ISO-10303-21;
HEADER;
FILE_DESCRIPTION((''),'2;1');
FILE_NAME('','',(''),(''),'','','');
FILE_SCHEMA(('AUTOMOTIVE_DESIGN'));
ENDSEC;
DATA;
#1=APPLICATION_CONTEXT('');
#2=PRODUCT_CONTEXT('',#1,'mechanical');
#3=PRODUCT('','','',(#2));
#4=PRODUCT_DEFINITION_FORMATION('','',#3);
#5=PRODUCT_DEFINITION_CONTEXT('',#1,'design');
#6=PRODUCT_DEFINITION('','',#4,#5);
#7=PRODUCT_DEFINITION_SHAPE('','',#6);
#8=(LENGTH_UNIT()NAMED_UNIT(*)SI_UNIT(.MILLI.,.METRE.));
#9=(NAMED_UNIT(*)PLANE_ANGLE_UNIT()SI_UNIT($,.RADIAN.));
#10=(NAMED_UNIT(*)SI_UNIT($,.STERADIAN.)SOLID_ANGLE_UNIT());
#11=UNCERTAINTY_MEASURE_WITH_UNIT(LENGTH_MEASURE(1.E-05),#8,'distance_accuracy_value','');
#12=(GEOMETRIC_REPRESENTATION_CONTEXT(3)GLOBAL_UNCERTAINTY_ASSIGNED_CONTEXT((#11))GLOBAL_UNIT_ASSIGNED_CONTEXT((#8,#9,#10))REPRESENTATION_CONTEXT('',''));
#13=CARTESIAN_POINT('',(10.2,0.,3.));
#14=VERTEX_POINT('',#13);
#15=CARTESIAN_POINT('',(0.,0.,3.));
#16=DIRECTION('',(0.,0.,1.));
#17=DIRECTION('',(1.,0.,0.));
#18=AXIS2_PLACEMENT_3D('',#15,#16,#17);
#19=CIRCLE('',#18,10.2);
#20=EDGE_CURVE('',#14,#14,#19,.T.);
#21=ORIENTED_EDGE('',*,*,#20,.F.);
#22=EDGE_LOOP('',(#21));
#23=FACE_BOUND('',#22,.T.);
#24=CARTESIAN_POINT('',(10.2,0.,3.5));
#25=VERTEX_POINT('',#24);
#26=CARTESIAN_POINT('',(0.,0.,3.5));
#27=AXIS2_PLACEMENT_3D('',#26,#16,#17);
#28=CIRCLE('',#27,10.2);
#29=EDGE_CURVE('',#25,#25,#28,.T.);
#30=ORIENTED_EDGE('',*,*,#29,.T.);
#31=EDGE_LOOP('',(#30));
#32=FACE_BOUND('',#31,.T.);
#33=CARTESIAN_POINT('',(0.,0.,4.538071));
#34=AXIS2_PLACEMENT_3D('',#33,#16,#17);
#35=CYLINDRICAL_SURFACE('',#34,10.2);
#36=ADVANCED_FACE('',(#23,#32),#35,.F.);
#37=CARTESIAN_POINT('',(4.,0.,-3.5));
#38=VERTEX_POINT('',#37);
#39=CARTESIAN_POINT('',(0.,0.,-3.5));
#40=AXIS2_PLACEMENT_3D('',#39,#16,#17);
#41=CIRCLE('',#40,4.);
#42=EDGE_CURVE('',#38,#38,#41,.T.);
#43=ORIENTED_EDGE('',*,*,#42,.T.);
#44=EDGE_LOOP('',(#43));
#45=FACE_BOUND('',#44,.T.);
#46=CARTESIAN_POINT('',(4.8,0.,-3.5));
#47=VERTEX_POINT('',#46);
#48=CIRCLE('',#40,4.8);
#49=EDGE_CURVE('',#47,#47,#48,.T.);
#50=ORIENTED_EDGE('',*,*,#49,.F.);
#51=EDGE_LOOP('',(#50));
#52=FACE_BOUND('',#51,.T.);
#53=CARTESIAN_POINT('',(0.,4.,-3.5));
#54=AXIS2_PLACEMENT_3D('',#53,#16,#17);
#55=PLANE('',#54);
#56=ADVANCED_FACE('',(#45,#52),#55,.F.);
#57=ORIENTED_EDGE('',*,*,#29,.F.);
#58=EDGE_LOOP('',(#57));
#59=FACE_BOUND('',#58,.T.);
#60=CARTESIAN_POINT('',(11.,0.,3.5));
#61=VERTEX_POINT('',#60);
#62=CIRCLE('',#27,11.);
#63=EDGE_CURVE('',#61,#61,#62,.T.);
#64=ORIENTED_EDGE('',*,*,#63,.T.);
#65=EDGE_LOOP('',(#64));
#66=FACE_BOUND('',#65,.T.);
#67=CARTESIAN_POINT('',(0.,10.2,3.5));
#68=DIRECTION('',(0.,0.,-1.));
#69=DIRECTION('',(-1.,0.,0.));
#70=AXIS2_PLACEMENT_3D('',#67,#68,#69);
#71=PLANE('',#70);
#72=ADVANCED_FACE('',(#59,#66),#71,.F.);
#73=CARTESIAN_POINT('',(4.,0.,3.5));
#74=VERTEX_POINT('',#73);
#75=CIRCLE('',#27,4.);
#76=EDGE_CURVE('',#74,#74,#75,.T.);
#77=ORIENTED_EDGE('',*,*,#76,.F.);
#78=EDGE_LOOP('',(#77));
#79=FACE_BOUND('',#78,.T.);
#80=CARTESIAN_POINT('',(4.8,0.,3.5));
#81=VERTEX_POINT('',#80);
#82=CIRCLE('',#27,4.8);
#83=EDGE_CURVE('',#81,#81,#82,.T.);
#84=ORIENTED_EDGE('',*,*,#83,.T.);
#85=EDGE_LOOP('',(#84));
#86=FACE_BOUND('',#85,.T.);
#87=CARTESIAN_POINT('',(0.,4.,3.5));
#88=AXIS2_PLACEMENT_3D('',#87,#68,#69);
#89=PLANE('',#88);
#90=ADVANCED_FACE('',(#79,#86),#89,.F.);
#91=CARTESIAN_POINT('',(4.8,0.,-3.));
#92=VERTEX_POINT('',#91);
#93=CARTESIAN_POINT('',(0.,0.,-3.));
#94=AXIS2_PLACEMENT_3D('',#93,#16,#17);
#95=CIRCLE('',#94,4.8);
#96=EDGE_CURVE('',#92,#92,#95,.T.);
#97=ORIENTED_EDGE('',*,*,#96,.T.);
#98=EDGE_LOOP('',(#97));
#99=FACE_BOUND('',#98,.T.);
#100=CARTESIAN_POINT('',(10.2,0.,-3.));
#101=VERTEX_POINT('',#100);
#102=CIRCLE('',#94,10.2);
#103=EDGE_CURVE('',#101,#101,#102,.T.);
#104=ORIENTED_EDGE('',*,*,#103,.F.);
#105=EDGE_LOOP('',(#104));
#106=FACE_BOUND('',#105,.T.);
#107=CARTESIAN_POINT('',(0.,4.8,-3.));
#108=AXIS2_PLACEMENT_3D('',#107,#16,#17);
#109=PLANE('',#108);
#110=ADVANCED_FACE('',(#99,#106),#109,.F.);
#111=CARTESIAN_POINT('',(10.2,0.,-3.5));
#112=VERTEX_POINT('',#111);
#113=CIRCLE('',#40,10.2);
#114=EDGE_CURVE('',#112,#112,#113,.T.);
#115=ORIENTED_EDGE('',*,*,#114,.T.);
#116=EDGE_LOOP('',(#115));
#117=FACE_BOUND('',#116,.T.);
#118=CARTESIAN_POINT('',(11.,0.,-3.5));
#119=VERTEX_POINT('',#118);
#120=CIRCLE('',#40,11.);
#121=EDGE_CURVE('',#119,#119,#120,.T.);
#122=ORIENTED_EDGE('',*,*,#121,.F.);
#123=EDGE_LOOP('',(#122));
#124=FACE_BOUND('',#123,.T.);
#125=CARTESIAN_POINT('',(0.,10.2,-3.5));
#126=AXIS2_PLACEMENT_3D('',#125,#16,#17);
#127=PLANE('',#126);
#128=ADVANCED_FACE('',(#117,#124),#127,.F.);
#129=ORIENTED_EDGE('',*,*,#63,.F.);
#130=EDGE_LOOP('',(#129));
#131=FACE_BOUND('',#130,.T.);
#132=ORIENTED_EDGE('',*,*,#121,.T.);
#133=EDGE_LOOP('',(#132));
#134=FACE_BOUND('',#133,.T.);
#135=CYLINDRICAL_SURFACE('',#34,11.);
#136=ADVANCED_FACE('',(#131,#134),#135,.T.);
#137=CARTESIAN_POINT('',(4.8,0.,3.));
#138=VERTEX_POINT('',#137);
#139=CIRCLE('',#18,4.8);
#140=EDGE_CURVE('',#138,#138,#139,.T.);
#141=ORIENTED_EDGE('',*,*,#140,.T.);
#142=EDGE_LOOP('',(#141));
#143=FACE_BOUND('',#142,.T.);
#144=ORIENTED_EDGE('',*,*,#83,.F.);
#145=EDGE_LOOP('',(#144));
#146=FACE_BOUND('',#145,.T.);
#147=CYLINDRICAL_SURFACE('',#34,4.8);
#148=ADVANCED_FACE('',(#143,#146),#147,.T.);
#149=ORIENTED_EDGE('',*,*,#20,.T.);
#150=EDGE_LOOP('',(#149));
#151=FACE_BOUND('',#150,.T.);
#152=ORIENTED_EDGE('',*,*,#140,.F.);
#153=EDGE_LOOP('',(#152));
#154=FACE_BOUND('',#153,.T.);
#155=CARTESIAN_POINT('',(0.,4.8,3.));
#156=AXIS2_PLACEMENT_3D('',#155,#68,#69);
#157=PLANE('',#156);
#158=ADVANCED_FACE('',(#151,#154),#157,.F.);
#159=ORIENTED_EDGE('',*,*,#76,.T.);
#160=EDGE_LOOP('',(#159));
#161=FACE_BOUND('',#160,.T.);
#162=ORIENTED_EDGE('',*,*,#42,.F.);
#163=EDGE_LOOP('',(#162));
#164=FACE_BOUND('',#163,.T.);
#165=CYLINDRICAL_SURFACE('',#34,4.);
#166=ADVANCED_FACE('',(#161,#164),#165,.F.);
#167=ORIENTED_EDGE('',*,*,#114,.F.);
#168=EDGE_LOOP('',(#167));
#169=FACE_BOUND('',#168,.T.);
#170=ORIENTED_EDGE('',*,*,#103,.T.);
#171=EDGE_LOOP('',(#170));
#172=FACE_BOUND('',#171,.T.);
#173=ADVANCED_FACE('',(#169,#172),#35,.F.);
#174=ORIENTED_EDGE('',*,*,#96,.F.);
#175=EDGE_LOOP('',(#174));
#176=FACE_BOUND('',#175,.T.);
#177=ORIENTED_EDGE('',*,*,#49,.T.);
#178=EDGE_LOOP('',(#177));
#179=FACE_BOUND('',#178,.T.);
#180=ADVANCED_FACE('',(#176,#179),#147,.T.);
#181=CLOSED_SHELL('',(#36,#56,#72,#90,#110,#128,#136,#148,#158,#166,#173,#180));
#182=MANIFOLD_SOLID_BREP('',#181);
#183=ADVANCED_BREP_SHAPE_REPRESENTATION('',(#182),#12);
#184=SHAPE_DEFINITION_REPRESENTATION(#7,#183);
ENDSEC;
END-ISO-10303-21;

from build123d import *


with BuildPart() as part:
    # Sketch2 → Revolve1 (revolve)
    with BuildSketch(Plane(origin=(0, 0, 0), x_dir=(0, 0, -1), z_dir=(1, 0, 0)), mode=Mode.PRIVATE) as revolve1_sk:
        Polygon((0, 4), (-3.5, 4), (-3.5, 4.8), (-3, 4.8), (-3, 10.2), (-3.5, 10.2), (-3.5, 11), (3.5, 11), (3.5, 10.2), (3, 10.2), (3, 4.8), (3.5, 4.8), (3.5, 4), align=None)
    revolve(revolve1_sk.sketch.rotate(Axis((0, 0, 4.53807108), (0, 0, -1)), 90), axis=Axis((0, 0, 4.53807108), (0, 0, -1)))


solid = part.part
